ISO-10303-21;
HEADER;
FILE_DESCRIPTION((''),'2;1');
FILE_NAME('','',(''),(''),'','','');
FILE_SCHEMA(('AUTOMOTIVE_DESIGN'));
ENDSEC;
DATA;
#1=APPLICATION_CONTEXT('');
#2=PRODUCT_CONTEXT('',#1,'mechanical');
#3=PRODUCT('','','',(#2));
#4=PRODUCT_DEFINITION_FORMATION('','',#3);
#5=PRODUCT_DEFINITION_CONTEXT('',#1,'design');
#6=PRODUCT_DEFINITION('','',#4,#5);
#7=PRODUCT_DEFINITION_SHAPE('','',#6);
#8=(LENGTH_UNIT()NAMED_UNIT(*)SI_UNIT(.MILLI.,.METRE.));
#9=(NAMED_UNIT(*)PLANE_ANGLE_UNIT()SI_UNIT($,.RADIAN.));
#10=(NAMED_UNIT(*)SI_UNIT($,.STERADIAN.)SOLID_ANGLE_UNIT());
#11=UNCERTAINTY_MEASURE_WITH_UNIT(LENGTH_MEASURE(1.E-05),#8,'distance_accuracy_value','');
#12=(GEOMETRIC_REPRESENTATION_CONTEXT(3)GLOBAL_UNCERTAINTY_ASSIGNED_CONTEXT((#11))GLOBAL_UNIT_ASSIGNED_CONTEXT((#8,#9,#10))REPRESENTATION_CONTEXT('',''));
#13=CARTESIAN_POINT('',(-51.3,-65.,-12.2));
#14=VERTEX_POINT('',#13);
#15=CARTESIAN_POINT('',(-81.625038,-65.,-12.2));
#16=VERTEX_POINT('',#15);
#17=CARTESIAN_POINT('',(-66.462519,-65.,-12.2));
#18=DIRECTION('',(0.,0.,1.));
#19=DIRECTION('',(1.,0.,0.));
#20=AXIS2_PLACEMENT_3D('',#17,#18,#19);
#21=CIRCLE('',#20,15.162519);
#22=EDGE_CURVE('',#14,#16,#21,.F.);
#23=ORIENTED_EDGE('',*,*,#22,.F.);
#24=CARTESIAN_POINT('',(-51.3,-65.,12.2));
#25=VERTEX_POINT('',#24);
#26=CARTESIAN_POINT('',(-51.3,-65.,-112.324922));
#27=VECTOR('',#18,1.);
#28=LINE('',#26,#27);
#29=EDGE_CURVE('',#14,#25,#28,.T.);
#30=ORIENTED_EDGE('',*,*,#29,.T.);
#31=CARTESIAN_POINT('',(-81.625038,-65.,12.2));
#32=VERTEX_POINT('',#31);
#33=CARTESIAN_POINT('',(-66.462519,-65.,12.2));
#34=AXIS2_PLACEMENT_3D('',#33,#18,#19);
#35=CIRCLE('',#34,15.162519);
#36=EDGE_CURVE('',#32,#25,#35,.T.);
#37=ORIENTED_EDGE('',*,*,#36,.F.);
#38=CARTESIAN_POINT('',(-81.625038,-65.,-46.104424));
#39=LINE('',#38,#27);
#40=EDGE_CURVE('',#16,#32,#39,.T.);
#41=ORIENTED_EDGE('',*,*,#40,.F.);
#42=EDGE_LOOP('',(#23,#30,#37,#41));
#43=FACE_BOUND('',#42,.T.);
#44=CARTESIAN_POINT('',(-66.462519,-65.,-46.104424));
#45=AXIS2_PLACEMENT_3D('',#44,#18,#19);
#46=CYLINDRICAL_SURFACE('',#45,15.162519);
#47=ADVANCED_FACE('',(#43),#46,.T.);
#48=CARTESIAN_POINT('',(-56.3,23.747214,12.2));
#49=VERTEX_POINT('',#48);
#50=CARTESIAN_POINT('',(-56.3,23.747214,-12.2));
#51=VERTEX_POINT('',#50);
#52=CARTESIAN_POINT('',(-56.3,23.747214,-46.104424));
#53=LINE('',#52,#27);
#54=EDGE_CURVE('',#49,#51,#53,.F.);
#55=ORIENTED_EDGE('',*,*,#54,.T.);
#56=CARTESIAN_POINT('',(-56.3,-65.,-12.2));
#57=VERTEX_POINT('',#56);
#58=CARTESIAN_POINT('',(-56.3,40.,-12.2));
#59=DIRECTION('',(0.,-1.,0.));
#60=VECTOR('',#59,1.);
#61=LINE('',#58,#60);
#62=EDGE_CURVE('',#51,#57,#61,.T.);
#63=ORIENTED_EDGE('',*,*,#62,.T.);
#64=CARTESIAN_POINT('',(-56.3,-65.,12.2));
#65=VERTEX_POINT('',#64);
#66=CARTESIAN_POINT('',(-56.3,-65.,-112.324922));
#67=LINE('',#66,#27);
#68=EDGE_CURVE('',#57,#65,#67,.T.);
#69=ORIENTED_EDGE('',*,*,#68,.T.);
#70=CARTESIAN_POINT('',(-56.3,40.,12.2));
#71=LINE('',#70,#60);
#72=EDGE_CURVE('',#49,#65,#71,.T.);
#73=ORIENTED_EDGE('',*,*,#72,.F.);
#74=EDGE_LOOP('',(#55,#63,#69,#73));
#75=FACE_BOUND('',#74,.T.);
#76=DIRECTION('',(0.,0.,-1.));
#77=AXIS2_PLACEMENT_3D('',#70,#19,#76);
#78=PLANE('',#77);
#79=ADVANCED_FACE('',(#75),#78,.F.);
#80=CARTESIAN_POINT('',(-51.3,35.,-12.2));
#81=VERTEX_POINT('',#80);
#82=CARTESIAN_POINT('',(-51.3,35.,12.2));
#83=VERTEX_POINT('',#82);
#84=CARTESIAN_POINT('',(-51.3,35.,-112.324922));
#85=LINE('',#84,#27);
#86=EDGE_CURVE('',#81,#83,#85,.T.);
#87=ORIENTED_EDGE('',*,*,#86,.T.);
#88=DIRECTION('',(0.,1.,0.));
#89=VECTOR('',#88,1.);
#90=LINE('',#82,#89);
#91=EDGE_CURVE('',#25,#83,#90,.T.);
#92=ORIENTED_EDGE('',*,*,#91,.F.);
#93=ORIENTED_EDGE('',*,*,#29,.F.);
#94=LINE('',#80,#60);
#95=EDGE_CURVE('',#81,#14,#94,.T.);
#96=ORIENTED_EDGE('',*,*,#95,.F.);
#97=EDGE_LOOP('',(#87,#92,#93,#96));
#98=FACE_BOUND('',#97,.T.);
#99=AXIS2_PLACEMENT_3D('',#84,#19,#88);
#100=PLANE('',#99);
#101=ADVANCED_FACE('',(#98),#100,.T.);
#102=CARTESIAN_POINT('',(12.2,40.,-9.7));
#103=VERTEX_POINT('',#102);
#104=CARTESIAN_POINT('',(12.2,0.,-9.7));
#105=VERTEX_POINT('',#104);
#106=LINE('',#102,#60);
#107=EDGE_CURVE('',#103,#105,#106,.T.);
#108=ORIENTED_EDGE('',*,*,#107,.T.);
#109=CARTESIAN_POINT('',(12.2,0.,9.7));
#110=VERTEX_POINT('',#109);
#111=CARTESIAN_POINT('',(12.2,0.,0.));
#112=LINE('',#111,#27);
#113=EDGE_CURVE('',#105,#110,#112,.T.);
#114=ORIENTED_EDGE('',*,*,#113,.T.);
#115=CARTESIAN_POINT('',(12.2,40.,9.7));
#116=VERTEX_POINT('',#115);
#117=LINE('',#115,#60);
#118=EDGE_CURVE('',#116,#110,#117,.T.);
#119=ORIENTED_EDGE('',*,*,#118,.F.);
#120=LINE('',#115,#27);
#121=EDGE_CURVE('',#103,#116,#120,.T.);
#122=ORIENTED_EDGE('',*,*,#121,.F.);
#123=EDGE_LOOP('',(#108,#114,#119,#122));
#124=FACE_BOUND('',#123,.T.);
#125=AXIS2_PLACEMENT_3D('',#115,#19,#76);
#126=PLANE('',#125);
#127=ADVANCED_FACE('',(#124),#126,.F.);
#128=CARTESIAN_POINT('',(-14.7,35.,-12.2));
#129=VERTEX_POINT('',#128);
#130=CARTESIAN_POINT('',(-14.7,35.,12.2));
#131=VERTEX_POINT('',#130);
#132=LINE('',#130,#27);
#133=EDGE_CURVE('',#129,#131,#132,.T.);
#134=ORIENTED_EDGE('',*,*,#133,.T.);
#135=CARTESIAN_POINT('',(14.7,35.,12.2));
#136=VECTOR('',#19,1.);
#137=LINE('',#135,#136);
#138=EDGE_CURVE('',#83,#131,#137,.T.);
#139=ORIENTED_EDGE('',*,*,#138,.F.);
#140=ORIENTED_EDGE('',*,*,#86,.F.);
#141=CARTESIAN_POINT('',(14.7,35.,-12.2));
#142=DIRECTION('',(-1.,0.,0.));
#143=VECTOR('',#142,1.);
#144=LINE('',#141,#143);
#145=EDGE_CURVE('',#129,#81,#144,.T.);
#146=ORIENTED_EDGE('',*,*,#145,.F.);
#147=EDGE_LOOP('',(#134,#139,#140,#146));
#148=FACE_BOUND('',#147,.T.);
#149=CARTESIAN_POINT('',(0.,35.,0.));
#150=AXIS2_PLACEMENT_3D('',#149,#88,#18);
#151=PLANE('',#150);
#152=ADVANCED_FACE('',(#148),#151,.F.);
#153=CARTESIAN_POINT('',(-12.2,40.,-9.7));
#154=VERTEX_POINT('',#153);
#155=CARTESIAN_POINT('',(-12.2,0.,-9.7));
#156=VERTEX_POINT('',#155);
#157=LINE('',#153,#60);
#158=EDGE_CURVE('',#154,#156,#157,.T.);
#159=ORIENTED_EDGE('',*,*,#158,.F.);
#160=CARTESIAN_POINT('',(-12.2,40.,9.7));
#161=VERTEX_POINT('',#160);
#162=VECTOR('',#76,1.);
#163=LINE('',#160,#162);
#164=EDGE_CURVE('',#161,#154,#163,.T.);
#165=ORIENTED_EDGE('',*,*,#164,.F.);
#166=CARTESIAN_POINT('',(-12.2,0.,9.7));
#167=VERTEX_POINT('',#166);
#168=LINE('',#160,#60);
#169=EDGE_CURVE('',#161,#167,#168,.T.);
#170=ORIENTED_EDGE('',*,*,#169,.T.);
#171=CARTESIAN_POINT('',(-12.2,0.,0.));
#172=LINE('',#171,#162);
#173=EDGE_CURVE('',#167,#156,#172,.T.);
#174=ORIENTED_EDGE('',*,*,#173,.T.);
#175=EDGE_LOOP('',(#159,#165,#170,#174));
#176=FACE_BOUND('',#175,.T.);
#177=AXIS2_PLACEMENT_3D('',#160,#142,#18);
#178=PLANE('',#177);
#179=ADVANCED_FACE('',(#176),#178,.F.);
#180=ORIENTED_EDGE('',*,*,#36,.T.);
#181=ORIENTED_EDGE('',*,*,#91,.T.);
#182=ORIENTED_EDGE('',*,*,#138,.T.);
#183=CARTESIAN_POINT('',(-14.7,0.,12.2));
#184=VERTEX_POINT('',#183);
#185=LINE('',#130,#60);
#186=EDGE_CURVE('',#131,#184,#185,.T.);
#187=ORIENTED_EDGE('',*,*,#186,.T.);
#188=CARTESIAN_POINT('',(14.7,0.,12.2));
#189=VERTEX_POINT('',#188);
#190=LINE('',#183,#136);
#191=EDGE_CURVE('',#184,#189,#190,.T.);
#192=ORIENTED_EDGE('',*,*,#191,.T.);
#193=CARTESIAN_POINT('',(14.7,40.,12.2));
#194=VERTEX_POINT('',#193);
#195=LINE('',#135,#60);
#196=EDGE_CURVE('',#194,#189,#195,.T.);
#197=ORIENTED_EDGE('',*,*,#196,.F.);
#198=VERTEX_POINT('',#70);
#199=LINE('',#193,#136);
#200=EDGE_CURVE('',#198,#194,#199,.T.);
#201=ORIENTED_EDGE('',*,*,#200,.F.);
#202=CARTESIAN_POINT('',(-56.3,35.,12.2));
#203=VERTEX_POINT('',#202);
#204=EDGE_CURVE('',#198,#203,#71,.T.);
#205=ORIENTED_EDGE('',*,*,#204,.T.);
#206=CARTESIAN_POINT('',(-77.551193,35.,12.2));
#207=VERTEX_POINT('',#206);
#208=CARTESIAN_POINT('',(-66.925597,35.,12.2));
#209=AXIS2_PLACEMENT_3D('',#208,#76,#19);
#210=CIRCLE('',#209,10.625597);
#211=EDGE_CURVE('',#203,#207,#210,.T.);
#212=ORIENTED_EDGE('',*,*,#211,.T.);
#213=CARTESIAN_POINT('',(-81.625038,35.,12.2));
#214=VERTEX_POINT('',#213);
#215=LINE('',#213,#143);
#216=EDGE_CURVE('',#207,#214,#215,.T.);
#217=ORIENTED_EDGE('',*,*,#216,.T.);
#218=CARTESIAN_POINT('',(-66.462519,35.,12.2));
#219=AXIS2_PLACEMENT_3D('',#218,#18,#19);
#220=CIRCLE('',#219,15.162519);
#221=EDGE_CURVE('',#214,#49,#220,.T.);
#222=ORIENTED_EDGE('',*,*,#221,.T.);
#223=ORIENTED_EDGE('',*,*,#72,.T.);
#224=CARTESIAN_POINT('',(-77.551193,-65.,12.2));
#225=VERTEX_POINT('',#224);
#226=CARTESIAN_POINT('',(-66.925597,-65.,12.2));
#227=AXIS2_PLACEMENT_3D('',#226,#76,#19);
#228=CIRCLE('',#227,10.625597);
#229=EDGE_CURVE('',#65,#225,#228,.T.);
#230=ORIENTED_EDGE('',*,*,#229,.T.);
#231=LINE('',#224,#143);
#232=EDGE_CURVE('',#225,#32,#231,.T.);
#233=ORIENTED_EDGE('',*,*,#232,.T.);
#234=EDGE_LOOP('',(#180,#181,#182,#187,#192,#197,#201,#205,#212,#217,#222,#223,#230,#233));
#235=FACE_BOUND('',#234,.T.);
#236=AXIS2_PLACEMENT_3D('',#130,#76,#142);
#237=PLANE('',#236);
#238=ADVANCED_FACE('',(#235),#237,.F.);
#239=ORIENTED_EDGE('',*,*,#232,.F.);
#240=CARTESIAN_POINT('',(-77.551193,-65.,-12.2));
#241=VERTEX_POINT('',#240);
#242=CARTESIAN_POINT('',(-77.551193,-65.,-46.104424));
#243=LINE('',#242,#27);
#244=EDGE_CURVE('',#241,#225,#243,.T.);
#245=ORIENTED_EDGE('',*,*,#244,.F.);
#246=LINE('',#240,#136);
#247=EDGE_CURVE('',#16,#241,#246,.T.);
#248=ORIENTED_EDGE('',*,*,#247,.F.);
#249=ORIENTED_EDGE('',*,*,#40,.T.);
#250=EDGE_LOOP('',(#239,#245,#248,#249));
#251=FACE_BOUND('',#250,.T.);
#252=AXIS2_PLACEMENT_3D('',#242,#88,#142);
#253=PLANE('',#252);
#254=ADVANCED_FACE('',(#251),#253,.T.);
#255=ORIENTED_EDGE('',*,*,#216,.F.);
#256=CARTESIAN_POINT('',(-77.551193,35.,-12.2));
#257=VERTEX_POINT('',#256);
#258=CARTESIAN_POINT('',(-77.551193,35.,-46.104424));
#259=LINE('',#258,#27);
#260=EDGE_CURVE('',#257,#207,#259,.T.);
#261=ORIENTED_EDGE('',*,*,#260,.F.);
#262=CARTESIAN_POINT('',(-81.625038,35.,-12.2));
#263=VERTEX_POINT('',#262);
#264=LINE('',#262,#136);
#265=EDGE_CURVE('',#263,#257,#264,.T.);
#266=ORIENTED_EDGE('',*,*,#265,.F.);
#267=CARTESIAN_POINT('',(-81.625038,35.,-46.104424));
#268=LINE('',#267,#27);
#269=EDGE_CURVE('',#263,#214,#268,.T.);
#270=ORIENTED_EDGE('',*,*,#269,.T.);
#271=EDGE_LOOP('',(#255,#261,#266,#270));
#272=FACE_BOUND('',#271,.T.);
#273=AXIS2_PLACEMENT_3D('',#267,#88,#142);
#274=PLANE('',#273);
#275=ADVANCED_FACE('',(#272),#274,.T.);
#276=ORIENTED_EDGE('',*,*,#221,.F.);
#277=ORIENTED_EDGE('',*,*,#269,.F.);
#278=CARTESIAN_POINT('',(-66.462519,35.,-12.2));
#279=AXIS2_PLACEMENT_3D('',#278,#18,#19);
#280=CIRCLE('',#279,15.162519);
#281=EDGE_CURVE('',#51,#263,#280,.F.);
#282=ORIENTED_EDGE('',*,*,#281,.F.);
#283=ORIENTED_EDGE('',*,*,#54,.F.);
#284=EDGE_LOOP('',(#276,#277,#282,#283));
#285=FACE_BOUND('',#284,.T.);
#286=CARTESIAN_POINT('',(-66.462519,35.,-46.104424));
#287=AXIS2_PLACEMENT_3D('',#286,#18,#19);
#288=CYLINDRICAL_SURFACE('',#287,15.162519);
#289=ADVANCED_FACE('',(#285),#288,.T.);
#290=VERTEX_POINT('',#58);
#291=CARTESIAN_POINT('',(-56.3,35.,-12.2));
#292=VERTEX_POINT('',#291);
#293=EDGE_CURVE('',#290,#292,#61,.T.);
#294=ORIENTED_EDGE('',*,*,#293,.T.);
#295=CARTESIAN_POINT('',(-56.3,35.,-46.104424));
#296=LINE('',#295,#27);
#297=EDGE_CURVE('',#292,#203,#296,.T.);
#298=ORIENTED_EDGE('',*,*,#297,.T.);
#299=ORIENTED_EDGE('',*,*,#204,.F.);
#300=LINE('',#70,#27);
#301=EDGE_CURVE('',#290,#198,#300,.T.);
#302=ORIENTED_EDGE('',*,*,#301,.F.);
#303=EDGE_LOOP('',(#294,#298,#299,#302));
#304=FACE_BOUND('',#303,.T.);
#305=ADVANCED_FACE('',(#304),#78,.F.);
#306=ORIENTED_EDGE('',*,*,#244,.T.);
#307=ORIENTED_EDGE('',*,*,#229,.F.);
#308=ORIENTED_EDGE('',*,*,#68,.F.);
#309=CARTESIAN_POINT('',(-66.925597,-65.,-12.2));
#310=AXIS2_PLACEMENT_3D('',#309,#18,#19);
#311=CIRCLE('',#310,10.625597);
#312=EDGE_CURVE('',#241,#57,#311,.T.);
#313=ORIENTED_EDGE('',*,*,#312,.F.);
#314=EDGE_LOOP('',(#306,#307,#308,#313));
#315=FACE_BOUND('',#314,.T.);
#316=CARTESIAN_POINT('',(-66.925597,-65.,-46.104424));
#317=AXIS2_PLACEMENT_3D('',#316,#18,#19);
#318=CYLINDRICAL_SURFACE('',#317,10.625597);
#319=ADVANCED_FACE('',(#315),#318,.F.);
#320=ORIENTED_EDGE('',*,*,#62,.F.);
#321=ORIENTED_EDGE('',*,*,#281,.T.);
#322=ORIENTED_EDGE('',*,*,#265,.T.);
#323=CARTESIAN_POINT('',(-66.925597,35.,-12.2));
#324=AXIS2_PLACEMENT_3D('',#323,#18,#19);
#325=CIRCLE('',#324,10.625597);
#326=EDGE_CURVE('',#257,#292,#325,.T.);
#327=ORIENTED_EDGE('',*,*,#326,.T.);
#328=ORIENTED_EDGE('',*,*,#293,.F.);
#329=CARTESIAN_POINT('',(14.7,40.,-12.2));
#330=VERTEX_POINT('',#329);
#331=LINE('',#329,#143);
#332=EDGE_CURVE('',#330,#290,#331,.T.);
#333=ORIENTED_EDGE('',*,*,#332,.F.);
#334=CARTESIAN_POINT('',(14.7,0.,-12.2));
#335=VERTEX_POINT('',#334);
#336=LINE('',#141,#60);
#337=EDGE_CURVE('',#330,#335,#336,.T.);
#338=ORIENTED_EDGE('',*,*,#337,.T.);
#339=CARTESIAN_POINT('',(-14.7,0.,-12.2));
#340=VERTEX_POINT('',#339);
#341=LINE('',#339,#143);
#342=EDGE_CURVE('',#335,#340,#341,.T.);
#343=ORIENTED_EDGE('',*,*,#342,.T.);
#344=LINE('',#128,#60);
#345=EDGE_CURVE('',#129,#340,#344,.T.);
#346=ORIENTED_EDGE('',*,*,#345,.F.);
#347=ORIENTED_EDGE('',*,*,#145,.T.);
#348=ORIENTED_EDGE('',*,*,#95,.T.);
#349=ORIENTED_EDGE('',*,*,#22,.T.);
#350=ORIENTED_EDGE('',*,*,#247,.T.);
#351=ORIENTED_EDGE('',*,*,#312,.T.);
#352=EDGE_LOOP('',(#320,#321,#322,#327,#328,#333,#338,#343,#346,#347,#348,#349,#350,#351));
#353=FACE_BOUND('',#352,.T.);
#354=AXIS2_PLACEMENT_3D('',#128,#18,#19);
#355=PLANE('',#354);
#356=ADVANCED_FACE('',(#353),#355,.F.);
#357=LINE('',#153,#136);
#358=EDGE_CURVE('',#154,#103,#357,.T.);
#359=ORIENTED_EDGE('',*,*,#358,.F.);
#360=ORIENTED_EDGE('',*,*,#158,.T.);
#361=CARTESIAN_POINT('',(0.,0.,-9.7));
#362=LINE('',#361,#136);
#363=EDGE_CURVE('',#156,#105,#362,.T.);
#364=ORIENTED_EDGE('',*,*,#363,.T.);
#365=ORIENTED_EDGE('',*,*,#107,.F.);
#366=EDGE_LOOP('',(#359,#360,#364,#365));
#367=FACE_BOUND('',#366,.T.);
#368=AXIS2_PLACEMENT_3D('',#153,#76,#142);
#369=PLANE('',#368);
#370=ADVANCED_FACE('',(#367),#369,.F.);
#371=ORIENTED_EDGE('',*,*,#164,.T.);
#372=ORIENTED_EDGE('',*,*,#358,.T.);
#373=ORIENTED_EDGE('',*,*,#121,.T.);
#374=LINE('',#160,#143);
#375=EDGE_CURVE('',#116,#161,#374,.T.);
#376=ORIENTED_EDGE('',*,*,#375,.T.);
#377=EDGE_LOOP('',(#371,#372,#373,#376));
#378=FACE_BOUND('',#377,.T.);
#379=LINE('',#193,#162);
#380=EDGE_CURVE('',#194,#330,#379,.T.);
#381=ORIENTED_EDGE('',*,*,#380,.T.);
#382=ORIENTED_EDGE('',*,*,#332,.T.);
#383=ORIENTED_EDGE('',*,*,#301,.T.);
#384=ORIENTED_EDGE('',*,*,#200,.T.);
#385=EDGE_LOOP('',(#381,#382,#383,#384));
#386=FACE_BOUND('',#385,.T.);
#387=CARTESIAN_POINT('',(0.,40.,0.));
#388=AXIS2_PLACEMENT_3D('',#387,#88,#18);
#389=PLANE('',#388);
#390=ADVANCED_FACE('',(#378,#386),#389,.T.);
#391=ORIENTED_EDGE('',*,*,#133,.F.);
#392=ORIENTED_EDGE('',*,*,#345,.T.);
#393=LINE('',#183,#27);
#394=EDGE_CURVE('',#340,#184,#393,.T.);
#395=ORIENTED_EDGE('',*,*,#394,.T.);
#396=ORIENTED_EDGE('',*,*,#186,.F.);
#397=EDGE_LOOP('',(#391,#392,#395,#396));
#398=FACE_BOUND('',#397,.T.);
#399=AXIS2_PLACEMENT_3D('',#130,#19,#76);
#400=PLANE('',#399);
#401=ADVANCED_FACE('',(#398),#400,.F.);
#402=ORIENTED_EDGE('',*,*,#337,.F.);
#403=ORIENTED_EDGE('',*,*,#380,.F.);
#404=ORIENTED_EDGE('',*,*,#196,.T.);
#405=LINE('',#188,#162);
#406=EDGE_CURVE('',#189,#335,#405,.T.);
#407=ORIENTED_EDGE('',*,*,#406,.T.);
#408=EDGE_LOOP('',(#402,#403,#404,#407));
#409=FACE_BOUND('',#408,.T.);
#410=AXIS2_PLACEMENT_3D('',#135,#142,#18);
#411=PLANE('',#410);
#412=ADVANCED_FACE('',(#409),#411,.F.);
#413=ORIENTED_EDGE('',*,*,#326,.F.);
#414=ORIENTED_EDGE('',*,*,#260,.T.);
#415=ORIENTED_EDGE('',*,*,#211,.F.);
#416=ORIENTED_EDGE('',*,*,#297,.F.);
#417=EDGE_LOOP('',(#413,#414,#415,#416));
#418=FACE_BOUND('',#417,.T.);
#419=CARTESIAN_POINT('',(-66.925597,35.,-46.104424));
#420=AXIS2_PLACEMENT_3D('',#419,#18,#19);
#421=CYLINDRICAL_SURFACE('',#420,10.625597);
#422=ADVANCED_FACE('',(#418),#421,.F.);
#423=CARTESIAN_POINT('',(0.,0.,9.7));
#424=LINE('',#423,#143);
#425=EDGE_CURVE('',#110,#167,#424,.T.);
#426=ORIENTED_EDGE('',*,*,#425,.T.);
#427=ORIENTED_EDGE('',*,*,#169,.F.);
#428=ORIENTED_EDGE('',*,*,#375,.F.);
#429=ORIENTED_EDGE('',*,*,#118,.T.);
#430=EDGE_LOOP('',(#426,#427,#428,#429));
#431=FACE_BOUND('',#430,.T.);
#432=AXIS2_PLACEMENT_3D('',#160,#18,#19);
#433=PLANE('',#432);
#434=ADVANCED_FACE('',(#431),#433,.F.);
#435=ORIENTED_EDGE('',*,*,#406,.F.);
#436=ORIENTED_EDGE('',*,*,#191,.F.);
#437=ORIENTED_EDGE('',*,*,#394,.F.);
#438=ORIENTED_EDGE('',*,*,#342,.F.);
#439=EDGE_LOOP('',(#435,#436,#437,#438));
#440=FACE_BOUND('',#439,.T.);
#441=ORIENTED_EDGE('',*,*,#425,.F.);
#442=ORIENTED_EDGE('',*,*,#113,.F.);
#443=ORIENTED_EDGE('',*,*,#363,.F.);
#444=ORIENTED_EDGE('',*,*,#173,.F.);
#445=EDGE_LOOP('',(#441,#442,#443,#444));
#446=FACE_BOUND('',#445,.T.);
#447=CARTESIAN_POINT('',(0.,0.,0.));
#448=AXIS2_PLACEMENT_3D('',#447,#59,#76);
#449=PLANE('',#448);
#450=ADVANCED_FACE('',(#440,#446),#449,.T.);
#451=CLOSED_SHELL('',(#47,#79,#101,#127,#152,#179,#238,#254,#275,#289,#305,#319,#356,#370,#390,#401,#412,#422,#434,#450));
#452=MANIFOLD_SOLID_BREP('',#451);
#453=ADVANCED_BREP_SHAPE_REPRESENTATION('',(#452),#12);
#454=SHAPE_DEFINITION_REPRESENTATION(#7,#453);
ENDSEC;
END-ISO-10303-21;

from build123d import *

# Parameters (mm, degrees)
SKETCH2_W               = 29.4
SKETCH2_H               = 24.4
BOSS_EXTRUDE1_DEPTH     = 35
SKETCH4_W               = 71
SKETCH4_H               = 24.4
BOSS_EXTRUDE2_DEPTH     = 5
SKETCH5_W               = 5
SKETCH5_H               = 100
BOSS_EXTRUDE3_DEPTH     = 24.4
BOSS_EXTRUDE5_DEPTH     = 24.4
CUT_EXTRUDE1_DEPTH      = 116.054406213
CUT_EXTRUDE1_DEPTH_BACK = 116.054406213
SKETCH3_W               = 24.4
SKETCH3_H               = 19.4


with BuildPart() as part:
    # Sketch2 → Boss-Extrude1 (new body)
    with BuildSketch(Plane(origin=(0, 0, 0), x_dir=(1, 0, 0), z_dir=(0, 1, 0))):
        Rectangle(SKETCH2_W, SKETCH2_H)
    extrude(amount=BOSS_EXTRUDE1_DEPTH)

    # Sketch4 → Boss-Extrude2 (add)
    with BuildSketch(Plane(origin=(0, 35, 0), x_dir=(1, 0, 0), z_dir=(0, 1, 0))):
        with Locations((-20.8, 0)):
            Rectangle(SKETCH4_W, SKETCH4_H)
    extrude(amount=BOSS_EXTRUDE2_DEPTH)

    # Sketch5 → Boss-Extrude3 (add)
    with BuildSketch(Plane.XY.offset(12.2)):
        with Locations((-53.8, -15)):
            Rectangle(SKETCH5_W, SKETCH5_H)
    extrude(amount=-BOSS_EXTRUDE3_DEPTH)

    # Sketch7 → Boss-Extrude5 (add)
    with BuildSketch(Plane.XY.offset(12.2)):
        with BuildLine():
            Line((-51.3, -65), (-56.3, -65))
            ThreePointArc((-56.3, -65), (-66.925596508, -75.625596508), (-77.551193015, -65))
            Line((-77.551193015, -65), (-81.625038444, -65))
            ThreePointArc((-81.625038444, -65), (-66.462519222, -80.162519222), (-51.3, -65))
        make_face()
        with BuildLine():
            Line((-81.625038444, 35), (-77.551193015, 35))
            ThreePointArc((-77.551193015, 35), (-66.925596508, 24.374403492), (-56.3, 35))
            Line((-56.3, 35), (-51.3, 35))
            ThreePointArc((-51.3, 35), (-66.462519222, 19.837480778), (-81.625038444, 35))
        make_face()
    extrude(amount=-BOSS_EXTRUDE5_DEPTH)

    # Sketch3 → Cut-Extrude1 (cut, two sides: drawn at the far end of the back side and taken through both)
    with BuildSketch(Plane.XZ.offset(-CUT_EXTRUDE1_DEPTH_BACK)):
        Rectangle(SKETCH3_W, SKETCH3_H)
    extrude(amount=CUT_EXTRUDE1_DEPTH + CUT_EXTRUDE1_DEPTH_BACK, mode=Mode.SUBTRACT)


solid = part.part
